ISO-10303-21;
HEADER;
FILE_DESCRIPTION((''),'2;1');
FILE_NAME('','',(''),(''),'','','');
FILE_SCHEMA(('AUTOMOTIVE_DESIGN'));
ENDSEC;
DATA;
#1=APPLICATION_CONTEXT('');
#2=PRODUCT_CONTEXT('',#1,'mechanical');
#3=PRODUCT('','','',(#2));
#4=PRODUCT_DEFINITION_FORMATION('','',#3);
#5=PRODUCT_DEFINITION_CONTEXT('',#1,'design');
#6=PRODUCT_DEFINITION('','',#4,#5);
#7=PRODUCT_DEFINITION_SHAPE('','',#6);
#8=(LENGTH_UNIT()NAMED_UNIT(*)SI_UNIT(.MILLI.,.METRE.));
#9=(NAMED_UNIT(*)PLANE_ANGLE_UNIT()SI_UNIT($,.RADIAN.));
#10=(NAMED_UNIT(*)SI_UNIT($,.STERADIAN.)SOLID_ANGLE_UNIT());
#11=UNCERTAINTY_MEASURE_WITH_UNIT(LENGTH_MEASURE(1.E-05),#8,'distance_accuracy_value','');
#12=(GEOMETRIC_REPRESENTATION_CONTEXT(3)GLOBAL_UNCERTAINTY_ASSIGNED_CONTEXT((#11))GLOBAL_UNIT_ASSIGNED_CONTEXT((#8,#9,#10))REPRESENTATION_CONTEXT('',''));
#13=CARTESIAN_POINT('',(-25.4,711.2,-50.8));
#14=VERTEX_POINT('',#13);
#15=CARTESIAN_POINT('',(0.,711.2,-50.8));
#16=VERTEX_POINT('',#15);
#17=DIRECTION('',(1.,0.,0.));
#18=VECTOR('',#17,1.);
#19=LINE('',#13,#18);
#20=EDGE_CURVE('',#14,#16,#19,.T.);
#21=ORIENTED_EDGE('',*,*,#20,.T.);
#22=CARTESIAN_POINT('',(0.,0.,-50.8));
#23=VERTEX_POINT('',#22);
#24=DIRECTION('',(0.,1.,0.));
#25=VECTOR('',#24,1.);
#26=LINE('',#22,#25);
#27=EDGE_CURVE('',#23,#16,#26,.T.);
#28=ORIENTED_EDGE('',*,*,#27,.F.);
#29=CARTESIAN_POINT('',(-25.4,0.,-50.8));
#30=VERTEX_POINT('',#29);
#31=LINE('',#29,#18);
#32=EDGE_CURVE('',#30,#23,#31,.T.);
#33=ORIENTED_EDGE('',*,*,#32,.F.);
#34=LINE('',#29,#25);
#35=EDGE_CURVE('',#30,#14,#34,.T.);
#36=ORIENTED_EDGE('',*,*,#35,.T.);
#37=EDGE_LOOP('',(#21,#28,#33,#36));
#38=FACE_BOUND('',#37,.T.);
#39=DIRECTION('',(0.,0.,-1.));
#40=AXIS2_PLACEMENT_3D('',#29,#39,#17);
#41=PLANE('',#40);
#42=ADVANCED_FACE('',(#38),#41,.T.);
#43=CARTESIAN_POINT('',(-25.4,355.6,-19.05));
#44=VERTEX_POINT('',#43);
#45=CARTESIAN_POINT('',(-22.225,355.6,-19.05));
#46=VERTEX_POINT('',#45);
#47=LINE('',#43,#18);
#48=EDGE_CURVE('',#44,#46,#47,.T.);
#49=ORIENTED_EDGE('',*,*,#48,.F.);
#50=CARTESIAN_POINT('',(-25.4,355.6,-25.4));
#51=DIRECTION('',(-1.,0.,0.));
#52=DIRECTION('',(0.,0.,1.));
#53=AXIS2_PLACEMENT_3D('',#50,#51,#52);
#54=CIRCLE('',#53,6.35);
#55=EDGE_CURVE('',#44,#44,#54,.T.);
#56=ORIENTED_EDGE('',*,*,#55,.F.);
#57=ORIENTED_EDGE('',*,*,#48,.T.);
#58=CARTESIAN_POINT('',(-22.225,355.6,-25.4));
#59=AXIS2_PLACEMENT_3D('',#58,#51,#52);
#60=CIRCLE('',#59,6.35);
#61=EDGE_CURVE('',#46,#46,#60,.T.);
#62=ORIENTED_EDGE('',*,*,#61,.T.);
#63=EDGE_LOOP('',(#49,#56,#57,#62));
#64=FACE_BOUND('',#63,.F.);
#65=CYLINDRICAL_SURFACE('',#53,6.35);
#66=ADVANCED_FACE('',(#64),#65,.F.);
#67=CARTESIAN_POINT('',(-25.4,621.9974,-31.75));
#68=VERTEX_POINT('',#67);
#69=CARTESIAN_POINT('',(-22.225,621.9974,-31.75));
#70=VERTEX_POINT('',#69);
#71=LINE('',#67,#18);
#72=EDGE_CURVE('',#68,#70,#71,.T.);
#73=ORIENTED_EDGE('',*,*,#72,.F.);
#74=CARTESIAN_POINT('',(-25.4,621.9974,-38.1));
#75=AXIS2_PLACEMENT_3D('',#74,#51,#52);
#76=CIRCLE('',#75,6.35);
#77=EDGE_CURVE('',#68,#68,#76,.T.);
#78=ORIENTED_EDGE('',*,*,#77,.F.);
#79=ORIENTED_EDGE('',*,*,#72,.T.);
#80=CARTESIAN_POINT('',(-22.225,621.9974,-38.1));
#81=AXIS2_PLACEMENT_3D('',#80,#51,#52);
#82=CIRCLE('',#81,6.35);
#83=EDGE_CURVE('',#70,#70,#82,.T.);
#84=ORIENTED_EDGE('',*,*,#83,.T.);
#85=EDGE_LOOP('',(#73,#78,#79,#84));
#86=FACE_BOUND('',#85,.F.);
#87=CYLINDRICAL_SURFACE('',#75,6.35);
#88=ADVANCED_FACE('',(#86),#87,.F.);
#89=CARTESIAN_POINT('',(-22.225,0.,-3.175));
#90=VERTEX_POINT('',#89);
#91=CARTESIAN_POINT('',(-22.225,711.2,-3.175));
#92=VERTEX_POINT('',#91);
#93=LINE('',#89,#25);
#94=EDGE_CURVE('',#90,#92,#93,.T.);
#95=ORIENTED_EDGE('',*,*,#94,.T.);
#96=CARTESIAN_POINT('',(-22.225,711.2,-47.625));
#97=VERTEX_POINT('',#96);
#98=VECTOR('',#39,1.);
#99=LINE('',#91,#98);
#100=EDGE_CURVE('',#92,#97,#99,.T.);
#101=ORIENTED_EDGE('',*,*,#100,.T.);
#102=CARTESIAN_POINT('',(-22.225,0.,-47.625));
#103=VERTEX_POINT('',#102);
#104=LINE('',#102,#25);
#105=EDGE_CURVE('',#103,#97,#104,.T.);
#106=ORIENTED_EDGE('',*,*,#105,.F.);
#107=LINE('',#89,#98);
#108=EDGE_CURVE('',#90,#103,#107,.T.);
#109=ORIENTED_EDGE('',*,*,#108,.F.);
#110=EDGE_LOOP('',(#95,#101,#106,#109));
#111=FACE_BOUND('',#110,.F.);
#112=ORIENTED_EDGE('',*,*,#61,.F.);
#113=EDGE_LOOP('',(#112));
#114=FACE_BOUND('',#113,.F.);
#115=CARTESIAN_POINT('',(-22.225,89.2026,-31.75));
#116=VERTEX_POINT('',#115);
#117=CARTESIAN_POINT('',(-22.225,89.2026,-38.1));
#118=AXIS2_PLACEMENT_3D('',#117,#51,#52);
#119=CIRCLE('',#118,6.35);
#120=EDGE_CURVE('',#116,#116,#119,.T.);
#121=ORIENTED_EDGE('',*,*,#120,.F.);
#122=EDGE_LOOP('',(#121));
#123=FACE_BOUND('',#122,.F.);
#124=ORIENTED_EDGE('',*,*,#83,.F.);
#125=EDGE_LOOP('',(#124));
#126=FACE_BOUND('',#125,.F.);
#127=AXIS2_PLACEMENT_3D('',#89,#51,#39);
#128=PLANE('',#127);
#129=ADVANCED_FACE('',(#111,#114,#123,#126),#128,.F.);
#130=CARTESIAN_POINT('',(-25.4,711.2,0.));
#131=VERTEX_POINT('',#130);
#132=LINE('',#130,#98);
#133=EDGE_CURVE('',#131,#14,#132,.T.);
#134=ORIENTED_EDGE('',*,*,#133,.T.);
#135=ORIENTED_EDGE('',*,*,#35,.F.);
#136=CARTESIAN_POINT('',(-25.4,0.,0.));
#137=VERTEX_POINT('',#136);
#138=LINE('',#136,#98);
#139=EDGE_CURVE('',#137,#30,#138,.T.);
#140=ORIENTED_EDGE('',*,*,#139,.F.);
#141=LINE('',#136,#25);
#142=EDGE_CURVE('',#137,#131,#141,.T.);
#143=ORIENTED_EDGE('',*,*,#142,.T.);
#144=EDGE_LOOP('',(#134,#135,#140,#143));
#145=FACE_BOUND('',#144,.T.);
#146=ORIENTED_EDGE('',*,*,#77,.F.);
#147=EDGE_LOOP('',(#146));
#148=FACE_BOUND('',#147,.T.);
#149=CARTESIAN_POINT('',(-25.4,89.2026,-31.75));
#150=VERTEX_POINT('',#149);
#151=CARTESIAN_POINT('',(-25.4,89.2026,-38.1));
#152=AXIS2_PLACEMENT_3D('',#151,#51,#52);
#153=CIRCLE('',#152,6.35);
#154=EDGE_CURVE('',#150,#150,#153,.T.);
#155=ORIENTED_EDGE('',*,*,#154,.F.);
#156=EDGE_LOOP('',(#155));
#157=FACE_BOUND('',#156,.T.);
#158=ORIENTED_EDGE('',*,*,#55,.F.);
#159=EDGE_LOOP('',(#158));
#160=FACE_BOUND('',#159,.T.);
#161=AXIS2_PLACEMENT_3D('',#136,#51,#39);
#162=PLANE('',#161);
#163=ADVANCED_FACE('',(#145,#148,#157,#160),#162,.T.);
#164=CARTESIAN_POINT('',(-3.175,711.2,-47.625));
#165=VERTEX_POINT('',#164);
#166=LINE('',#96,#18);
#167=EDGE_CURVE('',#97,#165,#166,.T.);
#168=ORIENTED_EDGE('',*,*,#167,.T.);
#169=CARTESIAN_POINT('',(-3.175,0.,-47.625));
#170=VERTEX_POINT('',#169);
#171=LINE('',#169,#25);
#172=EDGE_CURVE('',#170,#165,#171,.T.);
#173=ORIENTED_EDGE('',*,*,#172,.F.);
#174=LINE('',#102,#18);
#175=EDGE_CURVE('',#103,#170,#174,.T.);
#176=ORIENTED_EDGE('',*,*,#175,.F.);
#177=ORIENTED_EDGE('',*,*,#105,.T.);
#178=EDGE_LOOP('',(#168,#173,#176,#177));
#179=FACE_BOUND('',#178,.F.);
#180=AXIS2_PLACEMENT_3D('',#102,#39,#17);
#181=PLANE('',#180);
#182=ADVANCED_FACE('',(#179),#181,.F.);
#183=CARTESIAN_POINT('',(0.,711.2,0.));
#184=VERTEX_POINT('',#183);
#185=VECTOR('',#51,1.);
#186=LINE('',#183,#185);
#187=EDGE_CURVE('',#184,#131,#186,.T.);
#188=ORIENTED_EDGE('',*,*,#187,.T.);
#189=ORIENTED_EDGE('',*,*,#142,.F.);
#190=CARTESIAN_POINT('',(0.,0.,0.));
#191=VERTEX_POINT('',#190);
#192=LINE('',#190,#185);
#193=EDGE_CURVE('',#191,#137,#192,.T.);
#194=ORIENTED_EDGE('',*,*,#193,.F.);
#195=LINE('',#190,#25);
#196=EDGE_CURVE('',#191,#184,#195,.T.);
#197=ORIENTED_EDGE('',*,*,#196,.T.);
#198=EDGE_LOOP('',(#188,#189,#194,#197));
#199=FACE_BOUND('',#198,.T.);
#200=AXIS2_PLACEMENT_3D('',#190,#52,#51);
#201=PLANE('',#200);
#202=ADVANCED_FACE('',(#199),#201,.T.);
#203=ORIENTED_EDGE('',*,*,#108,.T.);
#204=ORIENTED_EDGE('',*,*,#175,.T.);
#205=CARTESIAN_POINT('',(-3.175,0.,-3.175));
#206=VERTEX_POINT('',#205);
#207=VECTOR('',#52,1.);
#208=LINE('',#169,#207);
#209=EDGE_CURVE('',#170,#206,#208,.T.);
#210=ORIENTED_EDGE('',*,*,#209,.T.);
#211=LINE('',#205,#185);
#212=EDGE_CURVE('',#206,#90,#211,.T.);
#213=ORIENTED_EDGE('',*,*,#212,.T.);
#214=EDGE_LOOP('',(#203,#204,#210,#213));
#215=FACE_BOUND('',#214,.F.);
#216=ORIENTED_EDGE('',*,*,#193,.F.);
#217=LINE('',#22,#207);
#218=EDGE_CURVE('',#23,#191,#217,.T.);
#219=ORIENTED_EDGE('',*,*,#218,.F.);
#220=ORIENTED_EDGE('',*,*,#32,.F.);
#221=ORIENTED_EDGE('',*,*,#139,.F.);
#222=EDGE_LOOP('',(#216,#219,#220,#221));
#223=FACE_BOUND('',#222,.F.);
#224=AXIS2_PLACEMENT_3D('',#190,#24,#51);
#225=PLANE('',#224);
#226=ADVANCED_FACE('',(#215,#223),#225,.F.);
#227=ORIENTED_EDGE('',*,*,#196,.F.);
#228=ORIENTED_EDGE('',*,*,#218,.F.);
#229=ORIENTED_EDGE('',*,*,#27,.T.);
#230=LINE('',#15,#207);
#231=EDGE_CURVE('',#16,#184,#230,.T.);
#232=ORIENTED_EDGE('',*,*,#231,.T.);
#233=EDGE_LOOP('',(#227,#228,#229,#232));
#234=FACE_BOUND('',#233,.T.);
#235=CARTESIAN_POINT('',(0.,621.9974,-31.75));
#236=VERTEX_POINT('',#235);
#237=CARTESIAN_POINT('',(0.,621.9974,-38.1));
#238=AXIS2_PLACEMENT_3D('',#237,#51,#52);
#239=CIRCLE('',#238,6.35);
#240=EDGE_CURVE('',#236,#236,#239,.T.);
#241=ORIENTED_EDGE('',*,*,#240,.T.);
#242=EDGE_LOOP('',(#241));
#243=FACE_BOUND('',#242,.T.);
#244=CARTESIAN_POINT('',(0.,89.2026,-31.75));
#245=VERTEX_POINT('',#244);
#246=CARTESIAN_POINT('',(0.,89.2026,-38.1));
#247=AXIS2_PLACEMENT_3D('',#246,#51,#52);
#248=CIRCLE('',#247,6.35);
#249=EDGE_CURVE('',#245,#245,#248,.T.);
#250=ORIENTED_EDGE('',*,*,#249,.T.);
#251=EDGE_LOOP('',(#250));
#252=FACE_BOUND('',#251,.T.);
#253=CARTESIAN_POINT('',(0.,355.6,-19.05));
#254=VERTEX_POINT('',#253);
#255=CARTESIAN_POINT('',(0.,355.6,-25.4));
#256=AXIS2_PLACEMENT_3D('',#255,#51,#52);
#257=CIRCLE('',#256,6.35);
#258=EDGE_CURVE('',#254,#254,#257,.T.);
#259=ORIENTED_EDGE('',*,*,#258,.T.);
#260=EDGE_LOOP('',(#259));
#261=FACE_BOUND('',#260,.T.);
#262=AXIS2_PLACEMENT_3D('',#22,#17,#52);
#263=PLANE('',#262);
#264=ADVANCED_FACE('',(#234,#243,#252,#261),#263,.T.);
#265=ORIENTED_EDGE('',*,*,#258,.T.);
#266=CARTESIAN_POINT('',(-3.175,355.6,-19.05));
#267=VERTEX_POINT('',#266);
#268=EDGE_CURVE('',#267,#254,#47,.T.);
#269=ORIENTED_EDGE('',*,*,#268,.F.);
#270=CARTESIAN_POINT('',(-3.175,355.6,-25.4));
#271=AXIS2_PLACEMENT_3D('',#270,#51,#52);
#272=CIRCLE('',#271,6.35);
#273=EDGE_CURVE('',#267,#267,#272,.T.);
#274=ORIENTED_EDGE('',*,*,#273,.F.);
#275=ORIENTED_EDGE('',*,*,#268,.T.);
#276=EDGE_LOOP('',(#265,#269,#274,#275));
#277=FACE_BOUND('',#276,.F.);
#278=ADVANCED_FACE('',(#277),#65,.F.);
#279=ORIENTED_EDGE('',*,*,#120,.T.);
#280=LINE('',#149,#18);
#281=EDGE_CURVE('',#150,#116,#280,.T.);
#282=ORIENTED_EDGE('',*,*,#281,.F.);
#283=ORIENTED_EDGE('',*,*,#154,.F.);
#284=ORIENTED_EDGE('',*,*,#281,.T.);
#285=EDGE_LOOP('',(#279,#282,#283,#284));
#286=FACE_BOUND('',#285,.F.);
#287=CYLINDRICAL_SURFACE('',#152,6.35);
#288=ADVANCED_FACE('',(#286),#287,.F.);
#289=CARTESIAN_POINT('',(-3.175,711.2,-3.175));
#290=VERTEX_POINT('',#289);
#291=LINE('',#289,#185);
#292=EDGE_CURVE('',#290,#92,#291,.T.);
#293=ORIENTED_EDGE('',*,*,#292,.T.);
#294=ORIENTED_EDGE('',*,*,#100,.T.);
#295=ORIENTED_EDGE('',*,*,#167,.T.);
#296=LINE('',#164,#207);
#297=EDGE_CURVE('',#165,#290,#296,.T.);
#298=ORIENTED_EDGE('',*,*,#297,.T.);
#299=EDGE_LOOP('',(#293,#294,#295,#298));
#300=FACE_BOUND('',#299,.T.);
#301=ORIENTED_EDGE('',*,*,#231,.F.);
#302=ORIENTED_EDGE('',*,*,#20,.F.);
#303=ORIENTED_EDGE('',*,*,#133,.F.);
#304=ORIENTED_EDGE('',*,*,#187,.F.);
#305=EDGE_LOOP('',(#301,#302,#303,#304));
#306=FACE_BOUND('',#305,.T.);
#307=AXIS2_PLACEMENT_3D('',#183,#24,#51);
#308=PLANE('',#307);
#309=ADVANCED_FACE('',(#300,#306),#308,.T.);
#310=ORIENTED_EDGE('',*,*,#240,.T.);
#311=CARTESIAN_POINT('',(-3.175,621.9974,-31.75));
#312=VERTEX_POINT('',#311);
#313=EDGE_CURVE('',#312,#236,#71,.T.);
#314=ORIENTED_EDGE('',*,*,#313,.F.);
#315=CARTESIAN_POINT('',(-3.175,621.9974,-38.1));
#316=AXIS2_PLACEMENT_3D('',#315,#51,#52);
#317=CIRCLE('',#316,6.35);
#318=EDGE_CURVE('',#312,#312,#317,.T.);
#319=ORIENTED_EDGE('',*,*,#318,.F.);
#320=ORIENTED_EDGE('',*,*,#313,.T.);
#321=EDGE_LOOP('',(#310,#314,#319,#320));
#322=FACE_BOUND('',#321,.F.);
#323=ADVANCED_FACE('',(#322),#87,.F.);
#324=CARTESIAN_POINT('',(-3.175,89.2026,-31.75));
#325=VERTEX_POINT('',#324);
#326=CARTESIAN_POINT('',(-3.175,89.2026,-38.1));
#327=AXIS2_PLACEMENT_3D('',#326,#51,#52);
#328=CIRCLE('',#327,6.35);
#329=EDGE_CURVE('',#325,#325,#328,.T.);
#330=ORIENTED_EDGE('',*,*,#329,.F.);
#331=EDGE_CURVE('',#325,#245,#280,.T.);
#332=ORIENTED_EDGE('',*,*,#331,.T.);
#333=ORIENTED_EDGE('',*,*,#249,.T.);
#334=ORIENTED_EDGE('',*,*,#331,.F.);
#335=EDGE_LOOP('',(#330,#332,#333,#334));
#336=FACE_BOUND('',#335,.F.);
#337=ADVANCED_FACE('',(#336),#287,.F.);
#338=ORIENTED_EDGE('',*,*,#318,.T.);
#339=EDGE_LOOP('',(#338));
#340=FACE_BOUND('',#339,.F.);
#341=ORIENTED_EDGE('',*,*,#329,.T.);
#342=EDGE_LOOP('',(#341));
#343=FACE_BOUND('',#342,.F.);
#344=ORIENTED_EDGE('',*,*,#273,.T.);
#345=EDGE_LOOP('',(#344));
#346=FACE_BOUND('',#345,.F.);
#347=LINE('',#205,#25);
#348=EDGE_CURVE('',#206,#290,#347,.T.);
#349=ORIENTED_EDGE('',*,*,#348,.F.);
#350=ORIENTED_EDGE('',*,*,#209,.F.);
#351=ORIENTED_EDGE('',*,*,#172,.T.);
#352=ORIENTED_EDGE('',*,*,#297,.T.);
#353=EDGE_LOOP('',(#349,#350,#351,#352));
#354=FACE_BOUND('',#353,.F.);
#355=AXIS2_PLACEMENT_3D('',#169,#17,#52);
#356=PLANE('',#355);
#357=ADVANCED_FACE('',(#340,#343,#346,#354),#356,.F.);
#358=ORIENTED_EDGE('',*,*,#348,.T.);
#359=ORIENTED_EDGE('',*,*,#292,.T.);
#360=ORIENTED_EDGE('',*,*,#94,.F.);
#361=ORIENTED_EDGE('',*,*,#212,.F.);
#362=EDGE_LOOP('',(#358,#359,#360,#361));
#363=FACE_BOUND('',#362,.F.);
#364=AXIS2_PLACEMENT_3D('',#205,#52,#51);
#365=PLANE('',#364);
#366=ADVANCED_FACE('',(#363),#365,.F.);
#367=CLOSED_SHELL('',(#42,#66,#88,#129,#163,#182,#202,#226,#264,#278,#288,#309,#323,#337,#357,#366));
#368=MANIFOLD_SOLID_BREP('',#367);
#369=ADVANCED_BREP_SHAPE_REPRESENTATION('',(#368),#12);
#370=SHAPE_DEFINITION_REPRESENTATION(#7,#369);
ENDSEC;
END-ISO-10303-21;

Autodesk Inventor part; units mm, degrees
ref_plane "YZ Plane" through (0, 0, 0) normal (1, 0, 0) x (0, 1, 0)
ref_plane "XZ Plane" through (0, 0, 0) normal (0, 1, 0) x (-1, 0, 0)
ref_plane "XY Plane" through (0, 0, 0) normal (0, 0, 1) x (1, 0, 0)
sketch "Sketch1" plane through (0, 0, 0) normal (0, 1, 0) x (-1, 0, 0)
  line L0 (0, 0) -> (25.4, 0)
  line L1 (25.4, 0) -> (25.4, -50.8)
  line L2 (25.4, -50.8) -> (0, -50.8)
  line L3 (0, -50.8) -> (0, 0)
  line L4 (3.175, -3.175) -> (22.225, -3.175)
  line L5 (22.225, -3.175) -> (22.225, -47.625)
  line L6 (22.225, -47.625) -> (3.175, -47.625)
  line L7 (3.175, -47.625) -> (3.175, -3.175)
  dimension "d0" = 25.4
  dimension "d1" = 50.8
  dimension "d2" = 3.175
extrude "Extrusion1" add sketch "Sketch1" along normal blind 711.2
sketch "Sketch2" plane through (-25.4, 0, -50.8) normal (-1, 0, 0) x (0, 0, 1)
  circle A0 centre (25.4, 355.6) radius 6.35
  line L0 (0, 711.2) -> (50.8, 711.2) projected
  line L1 (0, 0) -> (0, 711.2) projected
  circle A1 centre (12.7, 621.9974) radius 6.35
  line L2 (50.8, 0) -> (50.8, 711.2) projected
  circle A2 centre (12.7, 89.2026) radius 6.35
  dimension "d5" = 12.7
  dimension "d6" = 355.6
  dimension "d7" = 25.4
  dimension "d10" = 12.7
  dimension "d11" = 38.1
  dimension "d12" = 266.7
  dimension "d13" = 12.7
  dimension "d14" = 38.1
  dimension "d15" = 266.7
extrude "Extrusion2" cut sketch "Sketch2" against normal blind 25.4
properties part number "1x2x28" material "Aluminum 6061"
